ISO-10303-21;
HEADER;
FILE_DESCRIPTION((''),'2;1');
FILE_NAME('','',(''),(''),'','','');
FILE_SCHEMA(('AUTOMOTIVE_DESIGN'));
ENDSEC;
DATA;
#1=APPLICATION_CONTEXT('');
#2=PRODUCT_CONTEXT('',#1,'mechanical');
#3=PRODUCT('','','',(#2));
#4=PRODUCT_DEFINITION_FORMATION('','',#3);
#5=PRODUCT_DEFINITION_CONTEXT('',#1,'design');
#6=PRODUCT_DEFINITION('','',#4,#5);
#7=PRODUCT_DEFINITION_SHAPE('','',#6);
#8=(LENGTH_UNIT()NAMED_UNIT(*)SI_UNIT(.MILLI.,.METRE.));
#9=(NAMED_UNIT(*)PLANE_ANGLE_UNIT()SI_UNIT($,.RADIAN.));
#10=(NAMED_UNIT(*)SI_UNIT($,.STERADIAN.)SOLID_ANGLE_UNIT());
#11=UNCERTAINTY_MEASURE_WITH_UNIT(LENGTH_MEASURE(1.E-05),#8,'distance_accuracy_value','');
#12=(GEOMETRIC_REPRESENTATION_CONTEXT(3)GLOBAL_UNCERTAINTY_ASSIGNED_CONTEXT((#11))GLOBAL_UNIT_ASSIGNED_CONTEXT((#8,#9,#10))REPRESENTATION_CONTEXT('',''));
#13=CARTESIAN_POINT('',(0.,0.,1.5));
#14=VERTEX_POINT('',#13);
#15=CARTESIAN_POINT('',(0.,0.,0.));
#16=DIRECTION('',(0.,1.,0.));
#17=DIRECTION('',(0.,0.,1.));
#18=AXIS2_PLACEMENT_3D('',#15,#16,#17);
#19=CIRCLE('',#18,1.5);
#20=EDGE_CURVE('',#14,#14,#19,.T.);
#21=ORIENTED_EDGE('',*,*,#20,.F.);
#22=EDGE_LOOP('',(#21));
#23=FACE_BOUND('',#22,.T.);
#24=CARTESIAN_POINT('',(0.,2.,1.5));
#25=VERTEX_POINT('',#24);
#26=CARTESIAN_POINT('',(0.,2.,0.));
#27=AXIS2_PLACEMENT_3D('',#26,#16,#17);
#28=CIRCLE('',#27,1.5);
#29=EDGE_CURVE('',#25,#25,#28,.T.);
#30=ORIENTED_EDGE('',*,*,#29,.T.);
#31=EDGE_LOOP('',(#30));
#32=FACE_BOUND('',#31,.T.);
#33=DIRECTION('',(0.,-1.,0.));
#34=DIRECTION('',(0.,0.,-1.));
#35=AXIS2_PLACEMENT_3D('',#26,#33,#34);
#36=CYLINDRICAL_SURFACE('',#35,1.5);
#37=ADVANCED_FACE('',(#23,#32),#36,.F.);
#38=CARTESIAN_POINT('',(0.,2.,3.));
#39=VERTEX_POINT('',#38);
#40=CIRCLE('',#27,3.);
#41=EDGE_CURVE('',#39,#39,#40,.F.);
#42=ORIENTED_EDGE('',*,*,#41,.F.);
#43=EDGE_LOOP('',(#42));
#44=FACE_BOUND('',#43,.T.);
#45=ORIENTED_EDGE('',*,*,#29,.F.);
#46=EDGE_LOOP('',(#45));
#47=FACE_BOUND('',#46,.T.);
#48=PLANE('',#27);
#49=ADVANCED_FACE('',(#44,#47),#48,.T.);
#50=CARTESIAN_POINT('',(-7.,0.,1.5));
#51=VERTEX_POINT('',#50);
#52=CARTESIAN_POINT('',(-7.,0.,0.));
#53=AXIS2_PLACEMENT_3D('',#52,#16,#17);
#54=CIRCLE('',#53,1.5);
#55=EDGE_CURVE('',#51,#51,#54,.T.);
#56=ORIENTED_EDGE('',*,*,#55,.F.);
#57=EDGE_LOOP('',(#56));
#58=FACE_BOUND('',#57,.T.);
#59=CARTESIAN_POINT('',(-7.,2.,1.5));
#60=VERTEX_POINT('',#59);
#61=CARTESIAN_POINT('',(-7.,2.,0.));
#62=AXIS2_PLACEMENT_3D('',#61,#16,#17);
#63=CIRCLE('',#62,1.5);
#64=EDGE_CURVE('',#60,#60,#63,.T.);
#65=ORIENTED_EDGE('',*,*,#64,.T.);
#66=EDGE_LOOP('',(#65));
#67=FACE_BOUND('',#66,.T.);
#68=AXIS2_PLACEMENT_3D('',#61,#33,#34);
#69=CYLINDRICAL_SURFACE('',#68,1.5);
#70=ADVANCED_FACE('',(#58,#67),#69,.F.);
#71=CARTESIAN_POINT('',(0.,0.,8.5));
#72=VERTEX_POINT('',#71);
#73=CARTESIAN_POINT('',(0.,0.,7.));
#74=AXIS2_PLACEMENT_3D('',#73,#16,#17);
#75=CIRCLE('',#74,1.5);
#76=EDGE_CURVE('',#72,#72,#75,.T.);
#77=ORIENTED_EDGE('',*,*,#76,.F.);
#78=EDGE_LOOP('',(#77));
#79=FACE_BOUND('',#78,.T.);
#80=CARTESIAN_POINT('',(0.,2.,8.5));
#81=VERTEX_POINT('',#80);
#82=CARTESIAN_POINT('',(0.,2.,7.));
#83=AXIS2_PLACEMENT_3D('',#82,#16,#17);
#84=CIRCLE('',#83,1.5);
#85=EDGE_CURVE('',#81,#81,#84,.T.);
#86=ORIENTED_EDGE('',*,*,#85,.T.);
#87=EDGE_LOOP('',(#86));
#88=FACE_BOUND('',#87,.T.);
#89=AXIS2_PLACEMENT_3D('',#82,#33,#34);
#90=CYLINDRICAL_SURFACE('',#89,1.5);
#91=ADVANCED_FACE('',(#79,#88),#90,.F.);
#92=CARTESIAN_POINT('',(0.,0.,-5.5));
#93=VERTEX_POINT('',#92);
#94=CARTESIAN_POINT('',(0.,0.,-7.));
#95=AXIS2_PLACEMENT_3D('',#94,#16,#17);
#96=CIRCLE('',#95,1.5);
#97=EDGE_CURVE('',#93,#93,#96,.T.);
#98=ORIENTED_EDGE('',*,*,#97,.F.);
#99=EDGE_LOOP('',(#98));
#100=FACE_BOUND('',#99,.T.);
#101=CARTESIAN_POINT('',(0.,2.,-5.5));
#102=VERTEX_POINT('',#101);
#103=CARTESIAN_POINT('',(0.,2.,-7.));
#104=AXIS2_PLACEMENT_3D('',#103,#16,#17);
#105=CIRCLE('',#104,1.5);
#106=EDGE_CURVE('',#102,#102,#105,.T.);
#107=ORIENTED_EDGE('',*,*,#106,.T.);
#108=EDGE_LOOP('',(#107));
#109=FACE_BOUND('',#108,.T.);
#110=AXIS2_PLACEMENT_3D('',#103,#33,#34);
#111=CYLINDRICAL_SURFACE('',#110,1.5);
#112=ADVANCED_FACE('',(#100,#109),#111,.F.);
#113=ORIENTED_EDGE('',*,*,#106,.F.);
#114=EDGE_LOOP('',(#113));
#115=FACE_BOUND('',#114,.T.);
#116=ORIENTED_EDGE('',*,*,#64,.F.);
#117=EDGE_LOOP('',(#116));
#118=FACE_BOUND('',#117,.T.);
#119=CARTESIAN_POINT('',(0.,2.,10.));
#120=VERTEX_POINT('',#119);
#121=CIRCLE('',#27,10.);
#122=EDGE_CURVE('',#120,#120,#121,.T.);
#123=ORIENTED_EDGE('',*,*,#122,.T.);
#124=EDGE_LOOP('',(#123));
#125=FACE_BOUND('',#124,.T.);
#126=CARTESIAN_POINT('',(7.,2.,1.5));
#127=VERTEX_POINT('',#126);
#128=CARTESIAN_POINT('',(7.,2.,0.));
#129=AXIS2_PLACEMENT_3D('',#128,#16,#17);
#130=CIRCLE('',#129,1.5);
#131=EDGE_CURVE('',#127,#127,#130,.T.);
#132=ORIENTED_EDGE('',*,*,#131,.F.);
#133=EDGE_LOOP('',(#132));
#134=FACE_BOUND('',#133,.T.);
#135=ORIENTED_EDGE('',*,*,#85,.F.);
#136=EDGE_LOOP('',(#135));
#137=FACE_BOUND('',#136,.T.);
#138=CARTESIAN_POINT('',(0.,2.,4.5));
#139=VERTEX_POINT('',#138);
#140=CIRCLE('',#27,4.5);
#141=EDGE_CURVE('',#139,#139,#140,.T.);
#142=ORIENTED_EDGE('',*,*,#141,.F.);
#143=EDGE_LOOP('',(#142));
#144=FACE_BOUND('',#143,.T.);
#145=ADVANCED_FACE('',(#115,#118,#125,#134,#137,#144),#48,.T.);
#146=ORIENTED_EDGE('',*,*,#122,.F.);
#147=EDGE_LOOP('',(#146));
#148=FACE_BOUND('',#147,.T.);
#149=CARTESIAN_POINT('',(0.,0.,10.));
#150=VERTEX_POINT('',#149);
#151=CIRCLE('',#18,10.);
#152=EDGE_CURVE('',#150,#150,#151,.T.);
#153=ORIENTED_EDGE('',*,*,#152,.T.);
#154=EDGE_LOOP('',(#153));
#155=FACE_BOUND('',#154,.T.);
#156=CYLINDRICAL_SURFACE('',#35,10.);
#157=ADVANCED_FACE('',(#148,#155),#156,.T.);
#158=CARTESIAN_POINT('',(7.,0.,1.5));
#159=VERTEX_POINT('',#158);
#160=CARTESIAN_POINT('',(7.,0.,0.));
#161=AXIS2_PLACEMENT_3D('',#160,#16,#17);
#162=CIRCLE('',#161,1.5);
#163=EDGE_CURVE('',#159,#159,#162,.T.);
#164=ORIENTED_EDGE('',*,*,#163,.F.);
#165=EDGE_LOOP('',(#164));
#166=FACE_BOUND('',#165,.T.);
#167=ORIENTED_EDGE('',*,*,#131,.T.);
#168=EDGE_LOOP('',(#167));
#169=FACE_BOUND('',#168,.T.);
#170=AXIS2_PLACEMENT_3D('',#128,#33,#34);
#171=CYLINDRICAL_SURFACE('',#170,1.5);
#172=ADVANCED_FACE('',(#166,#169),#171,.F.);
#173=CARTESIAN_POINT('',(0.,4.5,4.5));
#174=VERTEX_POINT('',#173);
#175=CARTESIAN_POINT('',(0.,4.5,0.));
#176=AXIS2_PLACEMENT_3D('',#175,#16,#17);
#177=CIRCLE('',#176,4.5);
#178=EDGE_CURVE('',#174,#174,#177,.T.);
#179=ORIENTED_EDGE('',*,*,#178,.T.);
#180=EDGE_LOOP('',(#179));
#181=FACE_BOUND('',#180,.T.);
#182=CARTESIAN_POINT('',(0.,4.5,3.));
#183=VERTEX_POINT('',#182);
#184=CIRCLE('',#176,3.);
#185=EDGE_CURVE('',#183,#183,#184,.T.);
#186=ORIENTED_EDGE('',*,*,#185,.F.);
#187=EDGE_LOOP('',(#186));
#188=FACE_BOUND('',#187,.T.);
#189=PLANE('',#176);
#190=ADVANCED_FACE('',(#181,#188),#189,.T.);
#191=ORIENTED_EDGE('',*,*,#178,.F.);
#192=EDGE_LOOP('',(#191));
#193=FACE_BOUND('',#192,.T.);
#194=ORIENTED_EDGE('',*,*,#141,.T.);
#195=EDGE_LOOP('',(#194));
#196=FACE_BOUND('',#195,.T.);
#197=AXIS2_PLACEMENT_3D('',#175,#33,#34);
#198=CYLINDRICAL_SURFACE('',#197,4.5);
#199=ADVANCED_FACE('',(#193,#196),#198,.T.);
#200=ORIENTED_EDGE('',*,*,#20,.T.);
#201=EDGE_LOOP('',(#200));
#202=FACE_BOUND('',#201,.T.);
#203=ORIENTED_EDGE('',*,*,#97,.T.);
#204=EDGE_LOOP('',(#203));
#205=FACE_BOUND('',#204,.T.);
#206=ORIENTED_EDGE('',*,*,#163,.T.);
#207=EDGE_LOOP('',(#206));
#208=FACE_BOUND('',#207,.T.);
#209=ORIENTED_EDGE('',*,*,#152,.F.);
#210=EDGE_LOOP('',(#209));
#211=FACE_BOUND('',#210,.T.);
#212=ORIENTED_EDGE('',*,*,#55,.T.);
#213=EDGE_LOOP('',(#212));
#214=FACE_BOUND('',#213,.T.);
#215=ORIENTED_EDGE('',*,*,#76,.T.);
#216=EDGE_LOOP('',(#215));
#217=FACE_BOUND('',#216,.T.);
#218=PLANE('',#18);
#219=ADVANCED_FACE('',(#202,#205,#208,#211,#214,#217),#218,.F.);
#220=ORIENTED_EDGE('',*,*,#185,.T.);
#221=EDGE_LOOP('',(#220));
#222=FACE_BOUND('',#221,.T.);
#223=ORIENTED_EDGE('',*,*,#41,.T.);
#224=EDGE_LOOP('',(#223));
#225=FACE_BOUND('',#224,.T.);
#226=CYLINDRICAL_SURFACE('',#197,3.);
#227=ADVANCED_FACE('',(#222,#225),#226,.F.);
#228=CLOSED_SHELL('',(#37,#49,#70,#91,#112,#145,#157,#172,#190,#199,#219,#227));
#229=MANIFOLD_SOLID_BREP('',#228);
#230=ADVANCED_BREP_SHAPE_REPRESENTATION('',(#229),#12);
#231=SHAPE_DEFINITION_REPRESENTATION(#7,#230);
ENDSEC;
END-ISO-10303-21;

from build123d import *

# Parameters (mm, degrees)
SKETCH1_R           = 10
SKETCH1_R_2         = 1.5
BOSS_EXTRUDE1_DEPTH = 2
SKETCH2_R           = 4.5
SKETCH2_R_2         = 3
BOSS_EXTRUDE2_DEPTH = 2.5


with BuildPart() as part:
    # Sketch1 → Boss-Extrude1 (new body)
    with BuildSketch(Plane(origin=(0, 0, 0), x_dir=(1, 0, 0), z_dir=(0, 1, 0))):
        Circle(SKETCH1_R)
        with Locations((0, -7)):
            Circle(SKETCH1_R_2, mode=Mode.SUBTRACT)
        with Locations((-7, 0)):
            Circle(SKETCH1_R_2, mode=Mode.SUBTRACT)
        with Locations((0, 7)):
            Circle(SKETCH1_R_2, mode=Mode.SUBTRACT)
        with Locations((7, 0)):
            Circle(SKETCH1_R_2, mode=Mode.SUBTRACT)
        Circle(SKETCH1_R_2, mode=Mode.SUBTRACT)
    extrude(amount=BOSS_EXTRUDE1_DEPTH)

    # Sketch2 → Boss-Extrude2 (add)
    with BuildSketch(Plane(origin=(0, 2, 0), x_dir=(1, 0, 0), z_dir=(0, 1, 0))):
        Circle(SKETCH2_R)
        Circle(SKETCH2_R_2, mode=Mode.SUBTRACT)
    extrude(amount=BOSS_EXTRUDE2_DEPTH)


solid = part.part
